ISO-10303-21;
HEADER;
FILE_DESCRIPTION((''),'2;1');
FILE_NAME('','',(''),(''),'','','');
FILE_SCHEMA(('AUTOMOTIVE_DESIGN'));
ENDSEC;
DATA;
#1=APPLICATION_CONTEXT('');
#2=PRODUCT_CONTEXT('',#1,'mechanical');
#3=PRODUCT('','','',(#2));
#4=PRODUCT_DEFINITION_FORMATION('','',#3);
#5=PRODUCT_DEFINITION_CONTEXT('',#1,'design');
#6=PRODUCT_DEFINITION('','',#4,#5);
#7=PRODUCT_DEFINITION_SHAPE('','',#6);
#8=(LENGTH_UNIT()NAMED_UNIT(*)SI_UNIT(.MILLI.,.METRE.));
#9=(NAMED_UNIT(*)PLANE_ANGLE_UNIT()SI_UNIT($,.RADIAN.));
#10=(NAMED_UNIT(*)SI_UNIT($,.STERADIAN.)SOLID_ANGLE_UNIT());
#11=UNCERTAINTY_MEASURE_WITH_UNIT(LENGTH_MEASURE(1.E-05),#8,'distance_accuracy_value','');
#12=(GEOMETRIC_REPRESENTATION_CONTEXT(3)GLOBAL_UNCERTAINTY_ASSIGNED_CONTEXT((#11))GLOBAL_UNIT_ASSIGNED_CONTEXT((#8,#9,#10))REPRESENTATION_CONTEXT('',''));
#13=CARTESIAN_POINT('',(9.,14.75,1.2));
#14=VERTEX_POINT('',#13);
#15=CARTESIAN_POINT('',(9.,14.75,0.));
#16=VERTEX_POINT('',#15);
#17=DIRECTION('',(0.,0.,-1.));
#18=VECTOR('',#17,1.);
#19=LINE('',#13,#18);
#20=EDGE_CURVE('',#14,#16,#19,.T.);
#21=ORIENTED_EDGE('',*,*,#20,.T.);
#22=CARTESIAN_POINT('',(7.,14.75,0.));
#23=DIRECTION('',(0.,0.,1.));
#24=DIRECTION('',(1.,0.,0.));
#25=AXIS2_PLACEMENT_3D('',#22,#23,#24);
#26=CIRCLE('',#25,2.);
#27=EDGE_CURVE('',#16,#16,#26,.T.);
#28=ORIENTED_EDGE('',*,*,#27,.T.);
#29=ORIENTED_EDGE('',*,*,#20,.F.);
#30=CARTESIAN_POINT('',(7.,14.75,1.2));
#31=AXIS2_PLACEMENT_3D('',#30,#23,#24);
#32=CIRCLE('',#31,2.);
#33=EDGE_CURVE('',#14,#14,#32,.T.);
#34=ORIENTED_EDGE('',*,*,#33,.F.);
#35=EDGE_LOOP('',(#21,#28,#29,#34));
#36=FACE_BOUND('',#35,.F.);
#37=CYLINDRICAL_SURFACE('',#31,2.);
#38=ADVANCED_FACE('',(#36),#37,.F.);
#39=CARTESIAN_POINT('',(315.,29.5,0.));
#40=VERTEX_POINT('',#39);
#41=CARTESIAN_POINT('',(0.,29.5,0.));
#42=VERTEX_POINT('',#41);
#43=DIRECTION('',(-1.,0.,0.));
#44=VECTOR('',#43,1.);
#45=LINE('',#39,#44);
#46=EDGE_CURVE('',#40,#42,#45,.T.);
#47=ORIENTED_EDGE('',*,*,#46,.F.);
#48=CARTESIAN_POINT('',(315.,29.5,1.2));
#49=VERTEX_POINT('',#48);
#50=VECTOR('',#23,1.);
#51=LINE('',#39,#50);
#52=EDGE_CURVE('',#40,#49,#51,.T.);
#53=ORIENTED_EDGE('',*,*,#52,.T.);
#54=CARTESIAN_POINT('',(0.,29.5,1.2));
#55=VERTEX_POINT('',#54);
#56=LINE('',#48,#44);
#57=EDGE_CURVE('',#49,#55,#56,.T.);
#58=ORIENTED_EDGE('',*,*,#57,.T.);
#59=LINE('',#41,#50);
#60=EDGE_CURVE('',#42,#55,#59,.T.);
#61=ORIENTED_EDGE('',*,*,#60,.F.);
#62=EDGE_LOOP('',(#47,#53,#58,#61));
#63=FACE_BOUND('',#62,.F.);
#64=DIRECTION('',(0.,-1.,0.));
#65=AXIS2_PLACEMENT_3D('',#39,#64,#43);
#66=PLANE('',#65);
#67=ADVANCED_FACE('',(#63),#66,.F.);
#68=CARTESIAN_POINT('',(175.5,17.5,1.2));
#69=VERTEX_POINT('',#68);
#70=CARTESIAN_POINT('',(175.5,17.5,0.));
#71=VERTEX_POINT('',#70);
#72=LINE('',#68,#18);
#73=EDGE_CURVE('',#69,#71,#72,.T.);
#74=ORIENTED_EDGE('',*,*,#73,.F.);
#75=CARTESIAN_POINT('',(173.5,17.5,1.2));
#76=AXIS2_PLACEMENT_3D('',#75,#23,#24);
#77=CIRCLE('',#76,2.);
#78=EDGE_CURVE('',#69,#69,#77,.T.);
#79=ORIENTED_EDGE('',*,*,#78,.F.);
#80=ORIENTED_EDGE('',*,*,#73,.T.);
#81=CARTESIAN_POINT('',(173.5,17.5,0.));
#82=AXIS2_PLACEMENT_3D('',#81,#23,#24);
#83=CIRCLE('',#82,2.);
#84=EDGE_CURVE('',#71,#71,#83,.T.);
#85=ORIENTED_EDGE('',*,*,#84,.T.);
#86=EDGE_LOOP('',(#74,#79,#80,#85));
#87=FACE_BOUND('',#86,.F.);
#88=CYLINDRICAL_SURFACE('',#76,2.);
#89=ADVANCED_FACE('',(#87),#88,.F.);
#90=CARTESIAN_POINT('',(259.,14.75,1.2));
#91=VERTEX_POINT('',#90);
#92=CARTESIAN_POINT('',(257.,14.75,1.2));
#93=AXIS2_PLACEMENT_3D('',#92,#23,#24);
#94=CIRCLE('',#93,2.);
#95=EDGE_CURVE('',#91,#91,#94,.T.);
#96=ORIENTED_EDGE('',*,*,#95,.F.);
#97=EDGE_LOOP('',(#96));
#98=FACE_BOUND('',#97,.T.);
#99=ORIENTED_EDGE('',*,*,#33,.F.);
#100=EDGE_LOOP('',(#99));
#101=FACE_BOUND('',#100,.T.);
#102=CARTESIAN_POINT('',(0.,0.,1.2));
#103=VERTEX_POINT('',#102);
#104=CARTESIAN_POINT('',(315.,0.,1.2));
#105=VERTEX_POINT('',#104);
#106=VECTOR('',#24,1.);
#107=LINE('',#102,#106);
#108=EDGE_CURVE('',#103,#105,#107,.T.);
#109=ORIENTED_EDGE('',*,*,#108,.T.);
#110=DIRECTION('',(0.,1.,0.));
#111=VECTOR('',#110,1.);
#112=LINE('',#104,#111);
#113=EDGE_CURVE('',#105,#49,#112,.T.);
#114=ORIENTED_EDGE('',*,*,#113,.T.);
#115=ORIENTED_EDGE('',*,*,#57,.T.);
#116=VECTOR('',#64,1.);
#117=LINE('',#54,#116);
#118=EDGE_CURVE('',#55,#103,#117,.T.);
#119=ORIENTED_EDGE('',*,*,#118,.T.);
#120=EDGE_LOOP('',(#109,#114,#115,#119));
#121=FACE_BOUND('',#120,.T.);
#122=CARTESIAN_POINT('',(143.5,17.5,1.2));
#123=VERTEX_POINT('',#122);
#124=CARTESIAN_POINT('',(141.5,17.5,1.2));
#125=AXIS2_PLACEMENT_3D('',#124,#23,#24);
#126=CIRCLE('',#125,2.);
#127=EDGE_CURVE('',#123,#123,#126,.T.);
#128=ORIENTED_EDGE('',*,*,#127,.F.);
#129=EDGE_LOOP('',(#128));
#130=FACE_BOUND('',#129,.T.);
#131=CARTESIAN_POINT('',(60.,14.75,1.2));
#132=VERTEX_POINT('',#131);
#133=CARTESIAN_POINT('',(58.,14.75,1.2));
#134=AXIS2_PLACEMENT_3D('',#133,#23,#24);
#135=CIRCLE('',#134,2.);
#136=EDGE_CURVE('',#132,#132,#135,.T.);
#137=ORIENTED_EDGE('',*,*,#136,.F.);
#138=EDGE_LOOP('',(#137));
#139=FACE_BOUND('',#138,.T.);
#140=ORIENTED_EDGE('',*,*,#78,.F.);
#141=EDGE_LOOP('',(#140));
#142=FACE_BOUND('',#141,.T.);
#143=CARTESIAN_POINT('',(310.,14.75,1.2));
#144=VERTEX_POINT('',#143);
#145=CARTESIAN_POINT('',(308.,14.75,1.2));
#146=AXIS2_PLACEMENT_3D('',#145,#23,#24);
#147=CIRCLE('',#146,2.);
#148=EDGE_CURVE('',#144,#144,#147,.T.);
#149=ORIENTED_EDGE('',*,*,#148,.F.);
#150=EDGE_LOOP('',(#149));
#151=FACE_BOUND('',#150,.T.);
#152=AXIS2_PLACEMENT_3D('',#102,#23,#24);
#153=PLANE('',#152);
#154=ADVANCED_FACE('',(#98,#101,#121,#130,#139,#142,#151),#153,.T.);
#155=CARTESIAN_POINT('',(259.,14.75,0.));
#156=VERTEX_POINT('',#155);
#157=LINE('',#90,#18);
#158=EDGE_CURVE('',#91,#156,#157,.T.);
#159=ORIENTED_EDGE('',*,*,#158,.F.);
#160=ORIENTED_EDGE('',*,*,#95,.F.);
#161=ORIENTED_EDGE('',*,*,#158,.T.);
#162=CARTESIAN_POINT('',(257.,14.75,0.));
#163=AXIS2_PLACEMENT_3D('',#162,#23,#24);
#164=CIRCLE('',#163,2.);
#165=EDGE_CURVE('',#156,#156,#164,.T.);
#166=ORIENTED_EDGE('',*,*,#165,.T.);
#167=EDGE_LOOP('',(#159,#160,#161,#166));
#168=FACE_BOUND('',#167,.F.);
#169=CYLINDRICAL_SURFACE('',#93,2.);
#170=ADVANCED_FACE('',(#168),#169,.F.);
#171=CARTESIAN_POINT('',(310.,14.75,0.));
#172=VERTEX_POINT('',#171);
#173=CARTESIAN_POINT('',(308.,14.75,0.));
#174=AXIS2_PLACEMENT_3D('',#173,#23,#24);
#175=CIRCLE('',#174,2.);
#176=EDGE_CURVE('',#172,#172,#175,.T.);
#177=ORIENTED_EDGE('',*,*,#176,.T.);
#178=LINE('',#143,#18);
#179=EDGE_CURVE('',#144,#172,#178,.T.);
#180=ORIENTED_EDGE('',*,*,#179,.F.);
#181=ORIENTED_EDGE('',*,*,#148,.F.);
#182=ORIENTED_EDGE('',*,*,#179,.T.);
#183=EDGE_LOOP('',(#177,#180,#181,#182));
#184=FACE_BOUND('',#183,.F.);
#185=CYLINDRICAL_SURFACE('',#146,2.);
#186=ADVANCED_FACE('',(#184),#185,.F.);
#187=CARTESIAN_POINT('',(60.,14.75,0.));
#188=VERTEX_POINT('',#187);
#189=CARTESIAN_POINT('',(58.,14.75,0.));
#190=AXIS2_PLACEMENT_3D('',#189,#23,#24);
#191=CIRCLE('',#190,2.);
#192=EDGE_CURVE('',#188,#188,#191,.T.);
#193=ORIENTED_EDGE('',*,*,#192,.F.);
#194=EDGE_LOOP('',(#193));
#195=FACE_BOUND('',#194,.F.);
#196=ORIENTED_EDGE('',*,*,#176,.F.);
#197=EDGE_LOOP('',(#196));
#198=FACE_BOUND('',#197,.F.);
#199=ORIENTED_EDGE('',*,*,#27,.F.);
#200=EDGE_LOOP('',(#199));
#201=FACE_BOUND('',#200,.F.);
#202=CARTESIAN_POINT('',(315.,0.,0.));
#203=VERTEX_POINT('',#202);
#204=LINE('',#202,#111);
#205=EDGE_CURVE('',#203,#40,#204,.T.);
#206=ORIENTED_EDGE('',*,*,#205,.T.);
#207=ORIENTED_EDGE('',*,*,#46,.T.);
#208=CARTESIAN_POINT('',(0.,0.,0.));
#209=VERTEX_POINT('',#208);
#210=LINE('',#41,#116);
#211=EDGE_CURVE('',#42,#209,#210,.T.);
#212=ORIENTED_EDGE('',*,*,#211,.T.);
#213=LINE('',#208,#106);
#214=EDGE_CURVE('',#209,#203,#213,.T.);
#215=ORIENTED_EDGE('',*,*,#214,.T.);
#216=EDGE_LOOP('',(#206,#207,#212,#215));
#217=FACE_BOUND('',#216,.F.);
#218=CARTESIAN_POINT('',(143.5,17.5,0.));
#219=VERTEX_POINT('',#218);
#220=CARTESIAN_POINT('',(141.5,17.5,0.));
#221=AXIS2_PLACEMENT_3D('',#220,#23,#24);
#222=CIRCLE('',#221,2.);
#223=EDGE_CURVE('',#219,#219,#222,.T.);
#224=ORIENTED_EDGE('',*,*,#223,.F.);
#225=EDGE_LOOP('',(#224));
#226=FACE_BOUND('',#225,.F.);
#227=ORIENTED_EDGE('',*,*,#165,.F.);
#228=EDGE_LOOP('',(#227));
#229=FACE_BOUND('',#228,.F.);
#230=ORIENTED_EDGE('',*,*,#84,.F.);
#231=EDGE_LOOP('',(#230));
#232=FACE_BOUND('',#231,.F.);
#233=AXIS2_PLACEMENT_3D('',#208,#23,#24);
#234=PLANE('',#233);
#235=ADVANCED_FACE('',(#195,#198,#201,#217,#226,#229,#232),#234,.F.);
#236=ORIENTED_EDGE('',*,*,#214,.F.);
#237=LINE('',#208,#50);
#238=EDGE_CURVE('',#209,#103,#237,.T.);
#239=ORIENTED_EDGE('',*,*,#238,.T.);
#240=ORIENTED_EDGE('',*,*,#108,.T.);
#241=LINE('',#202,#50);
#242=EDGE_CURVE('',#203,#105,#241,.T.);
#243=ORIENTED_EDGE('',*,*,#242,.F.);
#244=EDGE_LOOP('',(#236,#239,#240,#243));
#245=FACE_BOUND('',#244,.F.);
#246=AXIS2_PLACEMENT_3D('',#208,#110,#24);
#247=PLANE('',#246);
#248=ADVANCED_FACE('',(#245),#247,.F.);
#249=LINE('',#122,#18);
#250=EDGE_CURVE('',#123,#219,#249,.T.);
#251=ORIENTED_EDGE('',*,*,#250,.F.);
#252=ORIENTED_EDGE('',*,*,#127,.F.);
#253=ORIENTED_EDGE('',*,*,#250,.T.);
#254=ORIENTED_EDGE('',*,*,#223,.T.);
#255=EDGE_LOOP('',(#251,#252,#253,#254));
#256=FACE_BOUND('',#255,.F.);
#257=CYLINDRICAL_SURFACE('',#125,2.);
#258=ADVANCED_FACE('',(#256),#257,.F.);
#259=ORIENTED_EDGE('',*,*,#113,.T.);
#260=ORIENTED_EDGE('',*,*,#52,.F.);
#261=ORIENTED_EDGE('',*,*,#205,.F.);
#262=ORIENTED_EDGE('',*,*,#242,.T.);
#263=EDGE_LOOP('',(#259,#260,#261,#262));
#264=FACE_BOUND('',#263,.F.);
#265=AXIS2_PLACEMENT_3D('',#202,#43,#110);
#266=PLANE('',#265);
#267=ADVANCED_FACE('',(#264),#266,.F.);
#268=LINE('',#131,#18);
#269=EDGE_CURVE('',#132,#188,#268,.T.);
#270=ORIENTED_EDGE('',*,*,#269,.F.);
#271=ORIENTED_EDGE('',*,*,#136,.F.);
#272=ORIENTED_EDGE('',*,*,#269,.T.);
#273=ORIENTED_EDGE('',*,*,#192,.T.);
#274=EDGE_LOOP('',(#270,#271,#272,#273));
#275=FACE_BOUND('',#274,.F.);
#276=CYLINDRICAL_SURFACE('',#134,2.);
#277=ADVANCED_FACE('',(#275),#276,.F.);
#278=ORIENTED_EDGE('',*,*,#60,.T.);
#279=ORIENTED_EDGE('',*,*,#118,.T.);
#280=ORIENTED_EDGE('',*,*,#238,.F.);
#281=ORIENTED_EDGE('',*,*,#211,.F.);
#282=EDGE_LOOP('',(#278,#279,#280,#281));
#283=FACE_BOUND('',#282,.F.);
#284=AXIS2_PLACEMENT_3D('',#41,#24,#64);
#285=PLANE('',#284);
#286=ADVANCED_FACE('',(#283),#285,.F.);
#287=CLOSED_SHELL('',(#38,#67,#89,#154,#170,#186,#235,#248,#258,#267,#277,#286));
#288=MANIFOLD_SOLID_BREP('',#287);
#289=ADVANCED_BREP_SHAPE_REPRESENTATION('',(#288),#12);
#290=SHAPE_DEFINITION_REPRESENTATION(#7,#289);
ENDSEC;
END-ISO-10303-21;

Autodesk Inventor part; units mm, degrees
ref_plane "YZ Plane" through (0, 0, 0) normal (1, 0, 0) x (0, 1, 0)
ref_plane "XZ Plane" through (0, 0, 0) normal (0, 1, 0) x (-1, 0, 0)
ref_plane "XY Plane" through (0, 0, 0) normal (0, 0, 1) x (1, 0, 0)
sketch "Эскиз1" plane through (0, 0, 0) normal (0, 0, 1) x (1, 0, 0)
  line L0 (0, 0) -> (315, 0)
  line L1 (315, 0) -> (315, 29.5)
  line L2 (315, 29.5) -> (0, 29.5)
  line L3 (0, 29.5) -> (0, 0)
  dimension "d0" = 315
  dimension "d1" = 29.5
extrude "Выдавливание1" add sketch "Эскиз1" along normal blind 1.2
sketch "Эскиз2" plane through (0, 0, 1.2) normal (0, 0, 1) x (1, 0, 0)
  circle A0 centre (58, 14.75) radius 2
  circle A1 centre (7, 14.75) radius 2
  point P0 (0, 0)
extrude "Выдавливание2" cut sketch "Эскиз2" against normal blind 10
sketch "Эскиз4" plane through (0, 0, 1.2) normal (0, 0, 1) x (1, 0, 0)
  line L0 (315, 29.5) -> (0, 29.5) construction
  line L1 (157.5, 29.5) -> (157.5, 0) construction
  line L2 (0, 0) -> (315, 0) construction
  line L3 (157.5, 1.5) -> (173.5, 17.5) construction
  line L4 (173.5, 17.5) -> (157.5, 33.5) construction
  line L5 (157.5, 33.5) -> (141.5, 17.5) construction
  line L6 (141.5, 17.5) -> (157.5, 1.5) construction
  line L7 (157.5, 1.5) -> (157.5, 33.5) construction
  line L8 (173.5, 17.5) -> (141.5, 17.5) construction
  circle A0 centre (173.5, 17.5) radius 2
  circle A1 centre (141.5, 17.5) radius 2
  point P0 (157.5, 17.5)
  dimension "d11" = 4
  dimension "d12" = 4
  dimension "d15" = 32
  dimension "d16" = 12
extrude "Выдавливание4" cut sketch "Эскиз4" against normal blind 10
sketch "Эскиз5" plane through (0, 0, 1.2) normal (0, 0, 1) x (1, 0, 0)
  circle A0 centre (308, 14.75) radius 2
  circle A1 centre (257, 14.75) radius 2
  point P0 (0, 0)
extrude "Выдавливание5" cut sketch "Эскиз5" against normal blind 10
properties part number "Линейка"
